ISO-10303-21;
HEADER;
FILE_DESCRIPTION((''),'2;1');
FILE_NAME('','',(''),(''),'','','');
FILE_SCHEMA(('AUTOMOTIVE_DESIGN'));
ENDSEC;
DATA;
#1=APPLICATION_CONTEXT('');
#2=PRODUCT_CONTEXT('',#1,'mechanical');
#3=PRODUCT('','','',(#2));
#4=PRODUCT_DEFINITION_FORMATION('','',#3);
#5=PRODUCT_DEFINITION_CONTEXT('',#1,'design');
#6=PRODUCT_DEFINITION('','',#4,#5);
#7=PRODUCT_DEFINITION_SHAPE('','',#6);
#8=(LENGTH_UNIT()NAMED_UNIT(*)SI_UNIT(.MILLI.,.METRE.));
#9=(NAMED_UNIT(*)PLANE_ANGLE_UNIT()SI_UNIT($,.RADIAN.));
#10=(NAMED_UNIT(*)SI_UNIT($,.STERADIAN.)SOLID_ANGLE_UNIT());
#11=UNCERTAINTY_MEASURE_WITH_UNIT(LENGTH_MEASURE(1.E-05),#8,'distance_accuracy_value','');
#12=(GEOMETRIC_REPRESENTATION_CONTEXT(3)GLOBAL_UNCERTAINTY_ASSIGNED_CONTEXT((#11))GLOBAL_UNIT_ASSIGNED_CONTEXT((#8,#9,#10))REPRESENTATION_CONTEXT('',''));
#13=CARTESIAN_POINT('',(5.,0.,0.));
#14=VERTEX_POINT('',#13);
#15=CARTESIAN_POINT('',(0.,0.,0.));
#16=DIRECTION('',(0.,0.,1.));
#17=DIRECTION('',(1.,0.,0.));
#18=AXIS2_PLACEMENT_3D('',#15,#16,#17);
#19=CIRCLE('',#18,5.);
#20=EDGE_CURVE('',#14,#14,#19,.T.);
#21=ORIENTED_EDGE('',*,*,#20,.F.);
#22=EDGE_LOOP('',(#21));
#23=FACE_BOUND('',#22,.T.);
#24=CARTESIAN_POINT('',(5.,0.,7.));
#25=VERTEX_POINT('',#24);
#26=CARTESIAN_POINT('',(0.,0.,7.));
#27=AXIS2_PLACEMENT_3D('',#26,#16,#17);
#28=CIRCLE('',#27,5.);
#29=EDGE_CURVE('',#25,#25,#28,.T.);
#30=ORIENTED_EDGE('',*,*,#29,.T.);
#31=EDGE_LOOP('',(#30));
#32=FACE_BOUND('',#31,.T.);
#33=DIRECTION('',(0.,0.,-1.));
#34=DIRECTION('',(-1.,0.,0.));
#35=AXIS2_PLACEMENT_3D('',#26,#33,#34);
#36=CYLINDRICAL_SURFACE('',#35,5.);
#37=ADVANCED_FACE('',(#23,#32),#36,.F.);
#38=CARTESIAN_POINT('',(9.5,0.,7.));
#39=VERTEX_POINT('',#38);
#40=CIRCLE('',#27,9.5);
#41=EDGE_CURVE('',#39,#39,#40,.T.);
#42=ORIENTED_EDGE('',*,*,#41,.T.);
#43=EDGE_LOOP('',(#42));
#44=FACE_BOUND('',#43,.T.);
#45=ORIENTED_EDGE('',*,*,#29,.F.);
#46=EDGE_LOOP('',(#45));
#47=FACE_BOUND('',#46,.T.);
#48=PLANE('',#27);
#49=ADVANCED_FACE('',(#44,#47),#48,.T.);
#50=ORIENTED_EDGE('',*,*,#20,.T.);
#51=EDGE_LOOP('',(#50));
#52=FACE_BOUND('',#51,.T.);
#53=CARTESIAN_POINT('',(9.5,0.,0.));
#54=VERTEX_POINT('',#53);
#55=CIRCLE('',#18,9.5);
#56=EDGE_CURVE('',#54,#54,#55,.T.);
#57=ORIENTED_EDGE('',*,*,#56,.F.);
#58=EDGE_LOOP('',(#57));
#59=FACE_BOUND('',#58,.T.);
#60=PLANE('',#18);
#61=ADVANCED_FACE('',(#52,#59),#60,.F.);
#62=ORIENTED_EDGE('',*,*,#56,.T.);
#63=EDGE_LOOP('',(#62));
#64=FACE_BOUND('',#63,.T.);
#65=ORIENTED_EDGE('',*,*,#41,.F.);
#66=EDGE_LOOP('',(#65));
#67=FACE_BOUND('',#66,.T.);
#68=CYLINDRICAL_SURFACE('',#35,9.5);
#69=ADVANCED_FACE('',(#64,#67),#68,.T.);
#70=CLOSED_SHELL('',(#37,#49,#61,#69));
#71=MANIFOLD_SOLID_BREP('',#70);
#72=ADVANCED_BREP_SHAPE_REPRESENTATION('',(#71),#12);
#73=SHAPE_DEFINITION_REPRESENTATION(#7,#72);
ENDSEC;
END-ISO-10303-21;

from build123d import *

# Parameters (mm, degrees)
ESQUISSE1_R      = 9.5
ESQUISSE1_R_2    = 5
EXTRUSION1_DEPTH = 7


with BuildPart() as part:
    # Esquisse1 → Extrusion1 (new body)
    with BuildSketch(Plane.XY):
        Circle(ESQUISSE1_R)
        Circle(ESQUISSE1_R_2, mode=Mode.SUBTRACT)
    extrude(amount=EXTRUSION1_DEPTH)


solid = part.part
